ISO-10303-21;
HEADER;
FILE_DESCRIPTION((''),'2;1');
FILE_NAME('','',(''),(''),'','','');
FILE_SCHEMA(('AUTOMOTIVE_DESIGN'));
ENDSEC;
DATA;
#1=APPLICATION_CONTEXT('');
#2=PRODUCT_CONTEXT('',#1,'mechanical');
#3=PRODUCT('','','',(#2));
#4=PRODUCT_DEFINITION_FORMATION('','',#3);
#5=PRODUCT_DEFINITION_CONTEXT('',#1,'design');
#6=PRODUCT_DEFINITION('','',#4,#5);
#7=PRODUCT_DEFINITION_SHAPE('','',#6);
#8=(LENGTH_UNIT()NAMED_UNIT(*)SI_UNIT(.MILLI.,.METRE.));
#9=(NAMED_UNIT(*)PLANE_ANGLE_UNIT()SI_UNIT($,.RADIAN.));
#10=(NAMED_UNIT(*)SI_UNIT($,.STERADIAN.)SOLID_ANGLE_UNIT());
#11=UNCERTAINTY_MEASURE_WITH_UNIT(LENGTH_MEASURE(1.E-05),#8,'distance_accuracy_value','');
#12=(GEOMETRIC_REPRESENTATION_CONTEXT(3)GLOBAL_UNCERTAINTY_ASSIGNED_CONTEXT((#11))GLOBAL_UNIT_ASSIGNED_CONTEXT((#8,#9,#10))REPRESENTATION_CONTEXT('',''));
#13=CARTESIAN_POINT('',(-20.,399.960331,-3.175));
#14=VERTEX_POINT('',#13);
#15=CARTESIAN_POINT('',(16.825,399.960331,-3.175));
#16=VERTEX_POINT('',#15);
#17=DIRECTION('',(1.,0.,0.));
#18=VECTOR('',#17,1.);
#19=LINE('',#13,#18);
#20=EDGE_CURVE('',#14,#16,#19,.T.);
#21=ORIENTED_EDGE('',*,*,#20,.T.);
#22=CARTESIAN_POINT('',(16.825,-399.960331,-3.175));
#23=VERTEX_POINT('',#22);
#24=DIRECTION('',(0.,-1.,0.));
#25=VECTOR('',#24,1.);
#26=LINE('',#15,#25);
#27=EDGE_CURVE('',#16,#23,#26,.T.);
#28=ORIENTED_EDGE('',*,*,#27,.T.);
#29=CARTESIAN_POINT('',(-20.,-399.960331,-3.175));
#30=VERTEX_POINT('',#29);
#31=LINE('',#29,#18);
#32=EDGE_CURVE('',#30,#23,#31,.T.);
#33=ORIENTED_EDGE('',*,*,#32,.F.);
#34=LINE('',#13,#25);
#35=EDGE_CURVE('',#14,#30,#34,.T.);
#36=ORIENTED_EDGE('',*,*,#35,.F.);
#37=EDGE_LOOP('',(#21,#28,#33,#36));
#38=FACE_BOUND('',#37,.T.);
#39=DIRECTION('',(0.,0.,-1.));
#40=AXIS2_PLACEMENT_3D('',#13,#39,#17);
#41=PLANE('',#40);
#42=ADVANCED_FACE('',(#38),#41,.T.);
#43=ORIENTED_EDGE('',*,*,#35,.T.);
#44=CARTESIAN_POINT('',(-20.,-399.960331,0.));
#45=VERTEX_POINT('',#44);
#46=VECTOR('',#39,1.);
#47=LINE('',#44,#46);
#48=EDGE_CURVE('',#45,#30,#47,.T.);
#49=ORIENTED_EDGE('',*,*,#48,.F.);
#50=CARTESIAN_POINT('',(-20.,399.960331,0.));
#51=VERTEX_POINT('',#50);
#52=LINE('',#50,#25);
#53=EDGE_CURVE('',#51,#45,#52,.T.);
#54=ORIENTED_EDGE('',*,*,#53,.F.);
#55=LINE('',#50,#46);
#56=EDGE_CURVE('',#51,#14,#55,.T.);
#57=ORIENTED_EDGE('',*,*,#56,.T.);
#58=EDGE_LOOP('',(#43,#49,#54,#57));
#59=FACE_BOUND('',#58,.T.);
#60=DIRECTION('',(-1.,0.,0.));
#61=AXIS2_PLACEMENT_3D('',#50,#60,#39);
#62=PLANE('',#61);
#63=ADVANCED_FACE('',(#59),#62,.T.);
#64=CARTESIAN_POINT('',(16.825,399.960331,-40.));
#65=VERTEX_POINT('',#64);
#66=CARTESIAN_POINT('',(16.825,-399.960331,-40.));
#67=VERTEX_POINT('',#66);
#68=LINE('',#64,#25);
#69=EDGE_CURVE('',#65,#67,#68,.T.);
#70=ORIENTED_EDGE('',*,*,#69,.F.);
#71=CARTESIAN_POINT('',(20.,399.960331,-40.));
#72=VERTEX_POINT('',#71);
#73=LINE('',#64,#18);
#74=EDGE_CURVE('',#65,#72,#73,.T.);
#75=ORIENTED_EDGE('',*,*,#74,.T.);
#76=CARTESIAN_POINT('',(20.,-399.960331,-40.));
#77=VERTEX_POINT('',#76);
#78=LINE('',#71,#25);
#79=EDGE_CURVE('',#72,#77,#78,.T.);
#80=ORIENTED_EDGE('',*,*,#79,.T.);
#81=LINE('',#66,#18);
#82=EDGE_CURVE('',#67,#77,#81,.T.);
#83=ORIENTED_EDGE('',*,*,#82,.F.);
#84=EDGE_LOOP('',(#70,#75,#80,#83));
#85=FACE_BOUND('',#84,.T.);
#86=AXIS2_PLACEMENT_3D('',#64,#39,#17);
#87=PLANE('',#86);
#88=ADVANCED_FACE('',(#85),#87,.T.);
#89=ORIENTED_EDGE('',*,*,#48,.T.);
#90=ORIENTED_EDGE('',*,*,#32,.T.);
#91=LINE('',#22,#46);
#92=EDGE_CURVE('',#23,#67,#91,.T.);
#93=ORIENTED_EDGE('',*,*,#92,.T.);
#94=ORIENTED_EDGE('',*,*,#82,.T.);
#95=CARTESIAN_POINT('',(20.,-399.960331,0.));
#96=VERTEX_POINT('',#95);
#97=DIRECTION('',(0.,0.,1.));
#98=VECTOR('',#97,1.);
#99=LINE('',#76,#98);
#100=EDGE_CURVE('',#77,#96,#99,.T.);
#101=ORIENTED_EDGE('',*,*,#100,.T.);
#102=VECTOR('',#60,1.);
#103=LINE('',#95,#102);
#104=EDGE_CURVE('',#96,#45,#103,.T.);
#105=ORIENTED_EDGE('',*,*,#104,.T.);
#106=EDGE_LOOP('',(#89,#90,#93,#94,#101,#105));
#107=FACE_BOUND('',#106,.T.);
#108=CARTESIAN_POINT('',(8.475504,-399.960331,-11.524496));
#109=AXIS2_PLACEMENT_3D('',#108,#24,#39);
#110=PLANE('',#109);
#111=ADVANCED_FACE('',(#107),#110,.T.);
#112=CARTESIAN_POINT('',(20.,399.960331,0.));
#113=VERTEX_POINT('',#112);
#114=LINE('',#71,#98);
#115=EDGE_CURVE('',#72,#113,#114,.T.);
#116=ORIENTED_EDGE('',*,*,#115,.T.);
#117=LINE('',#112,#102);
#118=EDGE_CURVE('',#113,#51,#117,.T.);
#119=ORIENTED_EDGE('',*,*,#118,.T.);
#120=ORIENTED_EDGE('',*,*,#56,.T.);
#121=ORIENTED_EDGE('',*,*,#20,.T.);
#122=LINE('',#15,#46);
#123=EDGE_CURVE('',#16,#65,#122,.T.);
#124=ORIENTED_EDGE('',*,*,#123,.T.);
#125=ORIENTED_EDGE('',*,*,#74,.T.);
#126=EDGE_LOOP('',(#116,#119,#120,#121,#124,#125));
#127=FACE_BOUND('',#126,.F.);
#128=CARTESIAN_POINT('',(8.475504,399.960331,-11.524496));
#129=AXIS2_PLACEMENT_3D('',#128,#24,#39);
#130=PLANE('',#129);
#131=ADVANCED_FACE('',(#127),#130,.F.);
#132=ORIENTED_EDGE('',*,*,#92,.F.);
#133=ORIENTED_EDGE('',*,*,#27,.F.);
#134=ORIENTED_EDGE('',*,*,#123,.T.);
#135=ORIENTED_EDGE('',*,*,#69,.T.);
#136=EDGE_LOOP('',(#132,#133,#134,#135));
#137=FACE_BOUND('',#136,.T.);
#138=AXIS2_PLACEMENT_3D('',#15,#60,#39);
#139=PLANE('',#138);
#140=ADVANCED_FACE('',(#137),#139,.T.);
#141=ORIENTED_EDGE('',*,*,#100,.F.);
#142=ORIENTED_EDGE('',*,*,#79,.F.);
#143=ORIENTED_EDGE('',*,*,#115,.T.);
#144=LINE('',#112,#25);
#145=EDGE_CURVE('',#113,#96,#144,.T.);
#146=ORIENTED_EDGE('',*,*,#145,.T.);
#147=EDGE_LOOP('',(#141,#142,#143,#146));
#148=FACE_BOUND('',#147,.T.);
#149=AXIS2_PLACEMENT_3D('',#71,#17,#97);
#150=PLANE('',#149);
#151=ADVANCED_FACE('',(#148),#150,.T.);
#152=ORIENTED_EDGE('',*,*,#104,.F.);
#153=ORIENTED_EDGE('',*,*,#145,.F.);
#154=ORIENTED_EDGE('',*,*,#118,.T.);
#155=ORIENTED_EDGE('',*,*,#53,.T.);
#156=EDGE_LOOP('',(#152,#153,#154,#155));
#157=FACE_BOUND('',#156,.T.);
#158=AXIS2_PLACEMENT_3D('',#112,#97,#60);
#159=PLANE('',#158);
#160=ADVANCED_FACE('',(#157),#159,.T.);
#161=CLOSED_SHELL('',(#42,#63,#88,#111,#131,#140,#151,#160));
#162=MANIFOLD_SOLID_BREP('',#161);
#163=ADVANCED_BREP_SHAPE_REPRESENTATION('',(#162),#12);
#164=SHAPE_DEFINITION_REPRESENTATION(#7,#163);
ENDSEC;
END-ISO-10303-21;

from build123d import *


with BuildPart() as f2:
    # F2: sweep along a path in F0
    with BuildLine(Plane.XY) as f2_path:
        Line((0, 399.9603311834), (0, -399.9603311834))
    # F1 (on Front) → F2 (sweep)
    with BuildSketch(Plane.XZ):
        Polygon((20, -40), (20, 0), (-20, 0), (-20, -3.175), (16.825, -3.175), (16.825, -40), align=None)
    sweep(path=f2_path.line)


solid = f2.part
